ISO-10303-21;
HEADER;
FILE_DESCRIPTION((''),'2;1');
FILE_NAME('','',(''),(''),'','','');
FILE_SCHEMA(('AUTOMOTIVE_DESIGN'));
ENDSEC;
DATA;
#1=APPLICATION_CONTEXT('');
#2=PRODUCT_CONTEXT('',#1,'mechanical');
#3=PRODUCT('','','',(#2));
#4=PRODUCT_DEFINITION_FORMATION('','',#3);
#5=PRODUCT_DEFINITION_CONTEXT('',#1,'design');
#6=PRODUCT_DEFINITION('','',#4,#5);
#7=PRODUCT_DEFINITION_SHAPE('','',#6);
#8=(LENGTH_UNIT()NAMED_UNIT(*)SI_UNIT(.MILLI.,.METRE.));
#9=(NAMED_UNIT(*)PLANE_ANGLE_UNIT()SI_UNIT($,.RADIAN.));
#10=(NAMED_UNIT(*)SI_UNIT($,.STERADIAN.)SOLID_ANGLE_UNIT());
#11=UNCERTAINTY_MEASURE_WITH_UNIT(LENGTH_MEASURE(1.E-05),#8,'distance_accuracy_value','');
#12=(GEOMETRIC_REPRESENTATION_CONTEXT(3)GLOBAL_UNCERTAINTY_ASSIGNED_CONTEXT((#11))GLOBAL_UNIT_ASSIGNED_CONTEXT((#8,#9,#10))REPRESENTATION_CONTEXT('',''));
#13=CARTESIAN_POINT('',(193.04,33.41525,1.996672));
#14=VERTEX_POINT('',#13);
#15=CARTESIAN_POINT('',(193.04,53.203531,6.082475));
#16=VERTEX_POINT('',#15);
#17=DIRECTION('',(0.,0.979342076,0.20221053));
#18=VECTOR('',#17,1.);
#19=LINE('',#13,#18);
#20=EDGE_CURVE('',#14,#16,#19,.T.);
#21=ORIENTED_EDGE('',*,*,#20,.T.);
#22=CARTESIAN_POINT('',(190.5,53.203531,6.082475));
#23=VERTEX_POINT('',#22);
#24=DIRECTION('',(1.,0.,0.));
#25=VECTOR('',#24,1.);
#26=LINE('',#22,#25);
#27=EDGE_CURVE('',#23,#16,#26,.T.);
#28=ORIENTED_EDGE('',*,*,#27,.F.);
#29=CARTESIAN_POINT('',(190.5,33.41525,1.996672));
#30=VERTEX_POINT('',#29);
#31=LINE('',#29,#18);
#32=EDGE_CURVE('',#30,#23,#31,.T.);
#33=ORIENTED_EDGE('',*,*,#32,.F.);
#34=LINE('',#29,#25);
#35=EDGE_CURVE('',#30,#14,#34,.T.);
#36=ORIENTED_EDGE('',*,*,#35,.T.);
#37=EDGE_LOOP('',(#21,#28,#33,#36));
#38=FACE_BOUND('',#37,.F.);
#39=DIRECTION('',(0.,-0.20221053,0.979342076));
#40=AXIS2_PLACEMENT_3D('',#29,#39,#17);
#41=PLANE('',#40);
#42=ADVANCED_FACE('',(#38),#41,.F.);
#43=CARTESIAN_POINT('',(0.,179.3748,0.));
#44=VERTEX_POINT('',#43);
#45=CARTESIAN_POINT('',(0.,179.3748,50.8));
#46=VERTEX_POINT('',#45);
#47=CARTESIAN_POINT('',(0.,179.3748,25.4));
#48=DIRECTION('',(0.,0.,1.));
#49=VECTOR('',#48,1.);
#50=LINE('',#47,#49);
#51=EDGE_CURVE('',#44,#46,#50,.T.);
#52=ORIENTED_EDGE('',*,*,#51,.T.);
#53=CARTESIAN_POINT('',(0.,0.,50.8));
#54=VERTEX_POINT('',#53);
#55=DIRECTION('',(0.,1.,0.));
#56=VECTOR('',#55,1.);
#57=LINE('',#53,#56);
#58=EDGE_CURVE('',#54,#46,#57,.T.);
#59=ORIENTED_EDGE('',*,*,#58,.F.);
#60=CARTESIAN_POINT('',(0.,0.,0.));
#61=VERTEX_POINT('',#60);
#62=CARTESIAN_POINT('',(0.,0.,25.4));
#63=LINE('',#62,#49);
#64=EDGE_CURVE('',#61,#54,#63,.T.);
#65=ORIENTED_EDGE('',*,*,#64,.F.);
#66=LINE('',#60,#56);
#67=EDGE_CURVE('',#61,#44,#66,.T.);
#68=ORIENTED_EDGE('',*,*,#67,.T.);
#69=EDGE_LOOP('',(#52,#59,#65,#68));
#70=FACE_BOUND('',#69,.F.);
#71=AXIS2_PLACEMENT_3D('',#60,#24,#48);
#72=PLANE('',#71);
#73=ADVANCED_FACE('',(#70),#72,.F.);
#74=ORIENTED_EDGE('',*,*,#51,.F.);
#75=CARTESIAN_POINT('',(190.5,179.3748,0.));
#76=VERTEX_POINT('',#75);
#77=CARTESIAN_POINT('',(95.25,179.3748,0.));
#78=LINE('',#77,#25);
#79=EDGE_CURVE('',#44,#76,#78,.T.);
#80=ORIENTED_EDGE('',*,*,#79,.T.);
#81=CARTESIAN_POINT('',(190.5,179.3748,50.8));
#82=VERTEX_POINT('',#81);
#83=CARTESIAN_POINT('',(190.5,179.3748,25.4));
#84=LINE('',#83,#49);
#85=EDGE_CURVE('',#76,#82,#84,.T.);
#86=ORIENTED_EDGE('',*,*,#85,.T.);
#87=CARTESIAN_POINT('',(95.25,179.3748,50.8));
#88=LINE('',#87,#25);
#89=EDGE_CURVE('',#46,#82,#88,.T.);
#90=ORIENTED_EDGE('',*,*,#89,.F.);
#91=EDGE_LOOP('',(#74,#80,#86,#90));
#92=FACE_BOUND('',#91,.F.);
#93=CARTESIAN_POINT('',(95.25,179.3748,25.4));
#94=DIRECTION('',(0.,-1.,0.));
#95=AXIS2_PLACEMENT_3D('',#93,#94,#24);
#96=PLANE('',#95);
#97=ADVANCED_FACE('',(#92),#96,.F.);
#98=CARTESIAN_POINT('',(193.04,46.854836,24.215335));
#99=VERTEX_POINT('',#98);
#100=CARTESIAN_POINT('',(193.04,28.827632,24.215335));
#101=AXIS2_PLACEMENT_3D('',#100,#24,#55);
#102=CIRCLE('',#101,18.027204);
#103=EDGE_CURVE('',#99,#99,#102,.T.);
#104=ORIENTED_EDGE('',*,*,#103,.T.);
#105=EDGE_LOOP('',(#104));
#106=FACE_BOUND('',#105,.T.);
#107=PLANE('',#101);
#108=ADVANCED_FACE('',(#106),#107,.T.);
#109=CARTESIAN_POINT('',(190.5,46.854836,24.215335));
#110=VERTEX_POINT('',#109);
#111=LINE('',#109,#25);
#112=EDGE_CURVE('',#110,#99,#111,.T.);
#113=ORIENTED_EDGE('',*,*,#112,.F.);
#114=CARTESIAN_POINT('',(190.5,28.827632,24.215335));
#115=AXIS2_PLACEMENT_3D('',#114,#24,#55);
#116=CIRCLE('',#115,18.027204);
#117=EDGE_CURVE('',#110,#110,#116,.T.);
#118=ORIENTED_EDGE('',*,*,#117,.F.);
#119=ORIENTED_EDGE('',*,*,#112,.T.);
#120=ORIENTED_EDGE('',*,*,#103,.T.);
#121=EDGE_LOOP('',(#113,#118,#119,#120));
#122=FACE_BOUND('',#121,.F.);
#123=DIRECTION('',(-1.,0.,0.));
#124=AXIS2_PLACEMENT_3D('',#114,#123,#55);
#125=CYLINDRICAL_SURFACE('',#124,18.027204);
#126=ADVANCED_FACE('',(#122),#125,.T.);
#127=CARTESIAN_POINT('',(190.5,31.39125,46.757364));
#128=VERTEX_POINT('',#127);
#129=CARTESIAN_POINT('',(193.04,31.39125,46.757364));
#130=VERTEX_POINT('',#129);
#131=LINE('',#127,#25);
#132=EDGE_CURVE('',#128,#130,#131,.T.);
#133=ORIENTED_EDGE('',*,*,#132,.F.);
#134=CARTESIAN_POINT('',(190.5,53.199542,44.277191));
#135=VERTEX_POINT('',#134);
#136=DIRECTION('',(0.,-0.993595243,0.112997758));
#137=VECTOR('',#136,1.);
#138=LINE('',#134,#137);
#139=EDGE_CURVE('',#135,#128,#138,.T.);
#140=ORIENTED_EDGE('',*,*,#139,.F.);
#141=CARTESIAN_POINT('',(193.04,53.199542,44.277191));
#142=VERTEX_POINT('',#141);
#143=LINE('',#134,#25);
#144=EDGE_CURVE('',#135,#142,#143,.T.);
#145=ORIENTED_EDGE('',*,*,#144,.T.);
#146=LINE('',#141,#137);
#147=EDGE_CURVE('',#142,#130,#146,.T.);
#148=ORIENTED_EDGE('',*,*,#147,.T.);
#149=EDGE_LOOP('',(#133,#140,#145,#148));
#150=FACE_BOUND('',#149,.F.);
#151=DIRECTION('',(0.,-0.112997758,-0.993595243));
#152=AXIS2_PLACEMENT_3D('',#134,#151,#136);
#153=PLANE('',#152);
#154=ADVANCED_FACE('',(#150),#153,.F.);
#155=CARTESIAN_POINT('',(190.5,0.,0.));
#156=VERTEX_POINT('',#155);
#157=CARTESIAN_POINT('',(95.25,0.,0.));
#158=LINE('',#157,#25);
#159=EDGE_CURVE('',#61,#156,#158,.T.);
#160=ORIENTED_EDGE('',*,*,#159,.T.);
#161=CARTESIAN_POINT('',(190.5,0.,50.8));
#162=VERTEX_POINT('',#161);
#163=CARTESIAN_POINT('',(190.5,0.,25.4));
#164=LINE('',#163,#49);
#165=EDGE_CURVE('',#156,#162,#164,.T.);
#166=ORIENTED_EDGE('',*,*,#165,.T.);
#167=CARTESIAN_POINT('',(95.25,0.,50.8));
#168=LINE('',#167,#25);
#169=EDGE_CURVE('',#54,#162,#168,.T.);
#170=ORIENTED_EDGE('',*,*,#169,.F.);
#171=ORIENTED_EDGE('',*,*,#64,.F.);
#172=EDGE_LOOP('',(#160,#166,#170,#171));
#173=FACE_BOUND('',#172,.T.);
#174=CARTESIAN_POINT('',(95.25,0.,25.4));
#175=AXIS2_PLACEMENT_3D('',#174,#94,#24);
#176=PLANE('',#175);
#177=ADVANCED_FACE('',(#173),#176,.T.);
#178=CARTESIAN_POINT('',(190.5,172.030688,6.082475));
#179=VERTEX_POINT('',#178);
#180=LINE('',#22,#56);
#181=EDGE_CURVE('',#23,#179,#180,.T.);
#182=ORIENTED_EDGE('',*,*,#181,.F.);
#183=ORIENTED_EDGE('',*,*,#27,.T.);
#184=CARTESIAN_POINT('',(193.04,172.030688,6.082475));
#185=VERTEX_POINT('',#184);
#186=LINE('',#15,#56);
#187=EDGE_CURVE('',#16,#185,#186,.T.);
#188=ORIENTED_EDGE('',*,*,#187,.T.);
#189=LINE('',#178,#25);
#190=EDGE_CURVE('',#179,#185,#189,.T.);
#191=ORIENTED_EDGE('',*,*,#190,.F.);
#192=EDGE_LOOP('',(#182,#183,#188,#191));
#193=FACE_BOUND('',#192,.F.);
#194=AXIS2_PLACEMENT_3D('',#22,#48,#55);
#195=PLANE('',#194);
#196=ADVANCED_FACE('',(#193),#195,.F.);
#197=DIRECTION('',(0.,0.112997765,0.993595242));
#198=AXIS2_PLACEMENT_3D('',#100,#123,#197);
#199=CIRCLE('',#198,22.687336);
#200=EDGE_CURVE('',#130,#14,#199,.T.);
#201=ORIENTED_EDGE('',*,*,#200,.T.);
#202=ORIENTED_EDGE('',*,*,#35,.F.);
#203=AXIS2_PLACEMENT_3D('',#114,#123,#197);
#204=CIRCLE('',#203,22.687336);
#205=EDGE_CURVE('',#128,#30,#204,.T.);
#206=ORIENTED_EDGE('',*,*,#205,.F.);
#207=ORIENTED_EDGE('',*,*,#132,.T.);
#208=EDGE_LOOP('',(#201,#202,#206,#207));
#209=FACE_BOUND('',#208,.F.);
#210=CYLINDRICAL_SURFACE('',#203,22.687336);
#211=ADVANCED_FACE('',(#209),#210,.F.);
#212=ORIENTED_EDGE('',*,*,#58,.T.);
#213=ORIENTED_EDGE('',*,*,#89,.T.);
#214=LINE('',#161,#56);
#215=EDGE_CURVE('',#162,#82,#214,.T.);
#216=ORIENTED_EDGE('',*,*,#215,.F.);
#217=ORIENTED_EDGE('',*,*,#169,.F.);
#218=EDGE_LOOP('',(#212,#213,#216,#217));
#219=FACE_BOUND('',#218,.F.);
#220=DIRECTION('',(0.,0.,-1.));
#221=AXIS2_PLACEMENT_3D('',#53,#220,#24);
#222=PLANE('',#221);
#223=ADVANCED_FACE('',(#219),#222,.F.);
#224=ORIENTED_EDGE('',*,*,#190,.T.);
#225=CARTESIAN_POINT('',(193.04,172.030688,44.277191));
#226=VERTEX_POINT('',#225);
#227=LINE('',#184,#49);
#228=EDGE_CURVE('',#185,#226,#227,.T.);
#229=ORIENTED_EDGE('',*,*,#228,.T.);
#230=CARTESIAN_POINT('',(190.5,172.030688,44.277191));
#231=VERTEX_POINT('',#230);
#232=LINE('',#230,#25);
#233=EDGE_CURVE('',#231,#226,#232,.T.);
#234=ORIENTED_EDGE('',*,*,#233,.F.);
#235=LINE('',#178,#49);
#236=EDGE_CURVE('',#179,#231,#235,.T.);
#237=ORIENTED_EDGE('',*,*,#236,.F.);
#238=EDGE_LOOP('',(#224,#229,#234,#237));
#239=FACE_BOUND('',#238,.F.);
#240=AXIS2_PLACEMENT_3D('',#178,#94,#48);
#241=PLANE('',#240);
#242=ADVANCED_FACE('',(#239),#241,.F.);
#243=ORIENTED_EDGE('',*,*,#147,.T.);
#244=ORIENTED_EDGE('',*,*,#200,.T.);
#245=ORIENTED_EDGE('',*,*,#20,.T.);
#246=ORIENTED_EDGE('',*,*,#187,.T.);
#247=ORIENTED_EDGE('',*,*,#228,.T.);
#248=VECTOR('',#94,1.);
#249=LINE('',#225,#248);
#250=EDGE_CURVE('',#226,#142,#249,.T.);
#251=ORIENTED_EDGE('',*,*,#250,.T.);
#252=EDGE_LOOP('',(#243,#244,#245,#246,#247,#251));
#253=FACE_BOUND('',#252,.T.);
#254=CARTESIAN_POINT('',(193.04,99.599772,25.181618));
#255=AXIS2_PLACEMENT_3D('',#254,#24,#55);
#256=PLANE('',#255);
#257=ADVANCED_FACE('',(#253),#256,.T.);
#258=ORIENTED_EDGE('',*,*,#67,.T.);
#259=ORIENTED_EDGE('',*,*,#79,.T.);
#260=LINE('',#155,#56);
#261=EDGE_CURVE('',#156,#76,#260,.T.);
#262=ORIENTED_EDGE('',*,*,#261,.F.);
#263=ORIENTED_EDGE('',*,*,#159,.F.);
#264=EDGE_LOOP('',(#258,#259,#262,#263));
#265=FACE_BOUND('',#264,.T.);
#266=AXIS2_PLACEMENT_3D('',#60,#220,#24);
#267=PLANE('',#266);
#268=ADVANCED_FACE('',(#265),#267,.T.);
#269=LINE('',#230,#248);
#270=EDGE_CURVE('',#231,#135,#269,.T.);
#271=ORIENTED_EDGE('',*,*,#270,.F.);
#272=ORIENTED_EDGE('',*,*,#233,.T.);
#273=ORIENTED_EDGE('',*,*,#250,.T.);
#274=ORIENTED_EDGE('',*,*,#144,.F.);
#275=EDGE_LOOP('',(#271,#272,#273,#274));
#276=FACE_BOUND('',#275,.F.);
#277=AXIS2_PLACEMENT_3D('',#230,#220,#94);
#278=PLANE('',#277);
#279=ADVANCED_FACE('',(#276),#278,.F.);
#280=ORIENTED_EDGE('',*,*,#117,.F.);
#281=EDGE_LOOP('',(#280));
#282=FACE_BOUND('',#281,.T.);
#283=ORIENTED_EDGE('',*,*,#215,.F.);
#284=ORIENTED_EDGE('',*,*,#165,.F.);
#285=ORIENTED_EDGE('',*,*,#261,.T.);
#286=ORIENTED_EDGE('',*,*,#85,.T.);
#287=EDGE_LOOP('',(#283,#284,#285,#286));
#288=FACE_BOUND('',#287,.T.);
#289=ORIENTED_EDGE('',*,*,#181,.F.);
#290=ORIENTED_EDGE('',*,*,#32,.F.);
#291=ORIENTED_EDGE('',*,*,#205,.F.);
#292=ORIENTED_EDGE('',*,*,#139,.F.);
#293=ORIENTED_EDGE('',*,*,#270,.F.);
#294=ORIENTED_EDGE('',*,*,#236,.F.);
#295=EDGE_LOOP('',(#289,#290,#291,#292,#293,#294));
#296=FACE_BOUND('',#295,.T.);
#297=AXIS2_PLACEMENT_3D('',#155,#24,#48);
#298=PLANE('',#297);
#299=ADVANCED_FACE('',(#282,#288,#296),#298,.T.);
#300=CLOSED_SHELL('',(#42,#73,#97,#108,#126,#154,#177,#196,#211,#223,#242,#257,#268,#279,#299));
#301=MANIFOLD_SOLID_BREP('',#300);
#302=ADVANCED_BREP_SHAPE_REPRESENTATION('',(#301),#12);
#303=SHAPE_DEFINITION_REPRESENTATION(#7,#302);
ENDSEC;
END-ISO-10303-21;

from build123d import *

# Parameters (mm, degrees)
F0_W     = 190.5
F0_H     = 50.8
F1_DEPTH = 179.3748
F2_R     = 18.027204
F3_DEPTH = 2.54
F5_DEPTH = 2.54


with BuildPart() as f1:
    # F0 (on Front) → F1 (new body)
    with BuildSketch(Plane.XZ):
        with Locations((95.25, 25.4)):
            Rectangle(F0_W, F0_H)
    extrude(amount=-F1_DEPTH)

    # F2 (on face) → F3 (join)
    with BuildSketch(Plane.YZ.offset(190.5)):
        with Locations((28.827632, 24.215335)):
            Circle(F2_R)
    extrude(amount=F3_DEPTH)

    # F4 (on face) → F5 (join)
    with BuildSketch(Plane.YZ.offset(190.5)):
        with BuildLine():
            ThreePointArc((31.39125, 46.757364), (51.491809, 25.24017), (33.41525, 1.996672))
            Line((33.41525, 1.996672), (53.203531, 6.082475))
            Line((53.203531, 6.082475), (172.030688, 6.082475))
            Line((172.030688, 6.082475), (172.030688, 44.277191))
            Line((172.030688, 44.277191), (53.199542, 44.277191))
            Line((53.199542, 44.277191), (31.39125, 46.757364))
        make_face()
    extrude(amount=F5_DEPTH)


solid = f1.part
